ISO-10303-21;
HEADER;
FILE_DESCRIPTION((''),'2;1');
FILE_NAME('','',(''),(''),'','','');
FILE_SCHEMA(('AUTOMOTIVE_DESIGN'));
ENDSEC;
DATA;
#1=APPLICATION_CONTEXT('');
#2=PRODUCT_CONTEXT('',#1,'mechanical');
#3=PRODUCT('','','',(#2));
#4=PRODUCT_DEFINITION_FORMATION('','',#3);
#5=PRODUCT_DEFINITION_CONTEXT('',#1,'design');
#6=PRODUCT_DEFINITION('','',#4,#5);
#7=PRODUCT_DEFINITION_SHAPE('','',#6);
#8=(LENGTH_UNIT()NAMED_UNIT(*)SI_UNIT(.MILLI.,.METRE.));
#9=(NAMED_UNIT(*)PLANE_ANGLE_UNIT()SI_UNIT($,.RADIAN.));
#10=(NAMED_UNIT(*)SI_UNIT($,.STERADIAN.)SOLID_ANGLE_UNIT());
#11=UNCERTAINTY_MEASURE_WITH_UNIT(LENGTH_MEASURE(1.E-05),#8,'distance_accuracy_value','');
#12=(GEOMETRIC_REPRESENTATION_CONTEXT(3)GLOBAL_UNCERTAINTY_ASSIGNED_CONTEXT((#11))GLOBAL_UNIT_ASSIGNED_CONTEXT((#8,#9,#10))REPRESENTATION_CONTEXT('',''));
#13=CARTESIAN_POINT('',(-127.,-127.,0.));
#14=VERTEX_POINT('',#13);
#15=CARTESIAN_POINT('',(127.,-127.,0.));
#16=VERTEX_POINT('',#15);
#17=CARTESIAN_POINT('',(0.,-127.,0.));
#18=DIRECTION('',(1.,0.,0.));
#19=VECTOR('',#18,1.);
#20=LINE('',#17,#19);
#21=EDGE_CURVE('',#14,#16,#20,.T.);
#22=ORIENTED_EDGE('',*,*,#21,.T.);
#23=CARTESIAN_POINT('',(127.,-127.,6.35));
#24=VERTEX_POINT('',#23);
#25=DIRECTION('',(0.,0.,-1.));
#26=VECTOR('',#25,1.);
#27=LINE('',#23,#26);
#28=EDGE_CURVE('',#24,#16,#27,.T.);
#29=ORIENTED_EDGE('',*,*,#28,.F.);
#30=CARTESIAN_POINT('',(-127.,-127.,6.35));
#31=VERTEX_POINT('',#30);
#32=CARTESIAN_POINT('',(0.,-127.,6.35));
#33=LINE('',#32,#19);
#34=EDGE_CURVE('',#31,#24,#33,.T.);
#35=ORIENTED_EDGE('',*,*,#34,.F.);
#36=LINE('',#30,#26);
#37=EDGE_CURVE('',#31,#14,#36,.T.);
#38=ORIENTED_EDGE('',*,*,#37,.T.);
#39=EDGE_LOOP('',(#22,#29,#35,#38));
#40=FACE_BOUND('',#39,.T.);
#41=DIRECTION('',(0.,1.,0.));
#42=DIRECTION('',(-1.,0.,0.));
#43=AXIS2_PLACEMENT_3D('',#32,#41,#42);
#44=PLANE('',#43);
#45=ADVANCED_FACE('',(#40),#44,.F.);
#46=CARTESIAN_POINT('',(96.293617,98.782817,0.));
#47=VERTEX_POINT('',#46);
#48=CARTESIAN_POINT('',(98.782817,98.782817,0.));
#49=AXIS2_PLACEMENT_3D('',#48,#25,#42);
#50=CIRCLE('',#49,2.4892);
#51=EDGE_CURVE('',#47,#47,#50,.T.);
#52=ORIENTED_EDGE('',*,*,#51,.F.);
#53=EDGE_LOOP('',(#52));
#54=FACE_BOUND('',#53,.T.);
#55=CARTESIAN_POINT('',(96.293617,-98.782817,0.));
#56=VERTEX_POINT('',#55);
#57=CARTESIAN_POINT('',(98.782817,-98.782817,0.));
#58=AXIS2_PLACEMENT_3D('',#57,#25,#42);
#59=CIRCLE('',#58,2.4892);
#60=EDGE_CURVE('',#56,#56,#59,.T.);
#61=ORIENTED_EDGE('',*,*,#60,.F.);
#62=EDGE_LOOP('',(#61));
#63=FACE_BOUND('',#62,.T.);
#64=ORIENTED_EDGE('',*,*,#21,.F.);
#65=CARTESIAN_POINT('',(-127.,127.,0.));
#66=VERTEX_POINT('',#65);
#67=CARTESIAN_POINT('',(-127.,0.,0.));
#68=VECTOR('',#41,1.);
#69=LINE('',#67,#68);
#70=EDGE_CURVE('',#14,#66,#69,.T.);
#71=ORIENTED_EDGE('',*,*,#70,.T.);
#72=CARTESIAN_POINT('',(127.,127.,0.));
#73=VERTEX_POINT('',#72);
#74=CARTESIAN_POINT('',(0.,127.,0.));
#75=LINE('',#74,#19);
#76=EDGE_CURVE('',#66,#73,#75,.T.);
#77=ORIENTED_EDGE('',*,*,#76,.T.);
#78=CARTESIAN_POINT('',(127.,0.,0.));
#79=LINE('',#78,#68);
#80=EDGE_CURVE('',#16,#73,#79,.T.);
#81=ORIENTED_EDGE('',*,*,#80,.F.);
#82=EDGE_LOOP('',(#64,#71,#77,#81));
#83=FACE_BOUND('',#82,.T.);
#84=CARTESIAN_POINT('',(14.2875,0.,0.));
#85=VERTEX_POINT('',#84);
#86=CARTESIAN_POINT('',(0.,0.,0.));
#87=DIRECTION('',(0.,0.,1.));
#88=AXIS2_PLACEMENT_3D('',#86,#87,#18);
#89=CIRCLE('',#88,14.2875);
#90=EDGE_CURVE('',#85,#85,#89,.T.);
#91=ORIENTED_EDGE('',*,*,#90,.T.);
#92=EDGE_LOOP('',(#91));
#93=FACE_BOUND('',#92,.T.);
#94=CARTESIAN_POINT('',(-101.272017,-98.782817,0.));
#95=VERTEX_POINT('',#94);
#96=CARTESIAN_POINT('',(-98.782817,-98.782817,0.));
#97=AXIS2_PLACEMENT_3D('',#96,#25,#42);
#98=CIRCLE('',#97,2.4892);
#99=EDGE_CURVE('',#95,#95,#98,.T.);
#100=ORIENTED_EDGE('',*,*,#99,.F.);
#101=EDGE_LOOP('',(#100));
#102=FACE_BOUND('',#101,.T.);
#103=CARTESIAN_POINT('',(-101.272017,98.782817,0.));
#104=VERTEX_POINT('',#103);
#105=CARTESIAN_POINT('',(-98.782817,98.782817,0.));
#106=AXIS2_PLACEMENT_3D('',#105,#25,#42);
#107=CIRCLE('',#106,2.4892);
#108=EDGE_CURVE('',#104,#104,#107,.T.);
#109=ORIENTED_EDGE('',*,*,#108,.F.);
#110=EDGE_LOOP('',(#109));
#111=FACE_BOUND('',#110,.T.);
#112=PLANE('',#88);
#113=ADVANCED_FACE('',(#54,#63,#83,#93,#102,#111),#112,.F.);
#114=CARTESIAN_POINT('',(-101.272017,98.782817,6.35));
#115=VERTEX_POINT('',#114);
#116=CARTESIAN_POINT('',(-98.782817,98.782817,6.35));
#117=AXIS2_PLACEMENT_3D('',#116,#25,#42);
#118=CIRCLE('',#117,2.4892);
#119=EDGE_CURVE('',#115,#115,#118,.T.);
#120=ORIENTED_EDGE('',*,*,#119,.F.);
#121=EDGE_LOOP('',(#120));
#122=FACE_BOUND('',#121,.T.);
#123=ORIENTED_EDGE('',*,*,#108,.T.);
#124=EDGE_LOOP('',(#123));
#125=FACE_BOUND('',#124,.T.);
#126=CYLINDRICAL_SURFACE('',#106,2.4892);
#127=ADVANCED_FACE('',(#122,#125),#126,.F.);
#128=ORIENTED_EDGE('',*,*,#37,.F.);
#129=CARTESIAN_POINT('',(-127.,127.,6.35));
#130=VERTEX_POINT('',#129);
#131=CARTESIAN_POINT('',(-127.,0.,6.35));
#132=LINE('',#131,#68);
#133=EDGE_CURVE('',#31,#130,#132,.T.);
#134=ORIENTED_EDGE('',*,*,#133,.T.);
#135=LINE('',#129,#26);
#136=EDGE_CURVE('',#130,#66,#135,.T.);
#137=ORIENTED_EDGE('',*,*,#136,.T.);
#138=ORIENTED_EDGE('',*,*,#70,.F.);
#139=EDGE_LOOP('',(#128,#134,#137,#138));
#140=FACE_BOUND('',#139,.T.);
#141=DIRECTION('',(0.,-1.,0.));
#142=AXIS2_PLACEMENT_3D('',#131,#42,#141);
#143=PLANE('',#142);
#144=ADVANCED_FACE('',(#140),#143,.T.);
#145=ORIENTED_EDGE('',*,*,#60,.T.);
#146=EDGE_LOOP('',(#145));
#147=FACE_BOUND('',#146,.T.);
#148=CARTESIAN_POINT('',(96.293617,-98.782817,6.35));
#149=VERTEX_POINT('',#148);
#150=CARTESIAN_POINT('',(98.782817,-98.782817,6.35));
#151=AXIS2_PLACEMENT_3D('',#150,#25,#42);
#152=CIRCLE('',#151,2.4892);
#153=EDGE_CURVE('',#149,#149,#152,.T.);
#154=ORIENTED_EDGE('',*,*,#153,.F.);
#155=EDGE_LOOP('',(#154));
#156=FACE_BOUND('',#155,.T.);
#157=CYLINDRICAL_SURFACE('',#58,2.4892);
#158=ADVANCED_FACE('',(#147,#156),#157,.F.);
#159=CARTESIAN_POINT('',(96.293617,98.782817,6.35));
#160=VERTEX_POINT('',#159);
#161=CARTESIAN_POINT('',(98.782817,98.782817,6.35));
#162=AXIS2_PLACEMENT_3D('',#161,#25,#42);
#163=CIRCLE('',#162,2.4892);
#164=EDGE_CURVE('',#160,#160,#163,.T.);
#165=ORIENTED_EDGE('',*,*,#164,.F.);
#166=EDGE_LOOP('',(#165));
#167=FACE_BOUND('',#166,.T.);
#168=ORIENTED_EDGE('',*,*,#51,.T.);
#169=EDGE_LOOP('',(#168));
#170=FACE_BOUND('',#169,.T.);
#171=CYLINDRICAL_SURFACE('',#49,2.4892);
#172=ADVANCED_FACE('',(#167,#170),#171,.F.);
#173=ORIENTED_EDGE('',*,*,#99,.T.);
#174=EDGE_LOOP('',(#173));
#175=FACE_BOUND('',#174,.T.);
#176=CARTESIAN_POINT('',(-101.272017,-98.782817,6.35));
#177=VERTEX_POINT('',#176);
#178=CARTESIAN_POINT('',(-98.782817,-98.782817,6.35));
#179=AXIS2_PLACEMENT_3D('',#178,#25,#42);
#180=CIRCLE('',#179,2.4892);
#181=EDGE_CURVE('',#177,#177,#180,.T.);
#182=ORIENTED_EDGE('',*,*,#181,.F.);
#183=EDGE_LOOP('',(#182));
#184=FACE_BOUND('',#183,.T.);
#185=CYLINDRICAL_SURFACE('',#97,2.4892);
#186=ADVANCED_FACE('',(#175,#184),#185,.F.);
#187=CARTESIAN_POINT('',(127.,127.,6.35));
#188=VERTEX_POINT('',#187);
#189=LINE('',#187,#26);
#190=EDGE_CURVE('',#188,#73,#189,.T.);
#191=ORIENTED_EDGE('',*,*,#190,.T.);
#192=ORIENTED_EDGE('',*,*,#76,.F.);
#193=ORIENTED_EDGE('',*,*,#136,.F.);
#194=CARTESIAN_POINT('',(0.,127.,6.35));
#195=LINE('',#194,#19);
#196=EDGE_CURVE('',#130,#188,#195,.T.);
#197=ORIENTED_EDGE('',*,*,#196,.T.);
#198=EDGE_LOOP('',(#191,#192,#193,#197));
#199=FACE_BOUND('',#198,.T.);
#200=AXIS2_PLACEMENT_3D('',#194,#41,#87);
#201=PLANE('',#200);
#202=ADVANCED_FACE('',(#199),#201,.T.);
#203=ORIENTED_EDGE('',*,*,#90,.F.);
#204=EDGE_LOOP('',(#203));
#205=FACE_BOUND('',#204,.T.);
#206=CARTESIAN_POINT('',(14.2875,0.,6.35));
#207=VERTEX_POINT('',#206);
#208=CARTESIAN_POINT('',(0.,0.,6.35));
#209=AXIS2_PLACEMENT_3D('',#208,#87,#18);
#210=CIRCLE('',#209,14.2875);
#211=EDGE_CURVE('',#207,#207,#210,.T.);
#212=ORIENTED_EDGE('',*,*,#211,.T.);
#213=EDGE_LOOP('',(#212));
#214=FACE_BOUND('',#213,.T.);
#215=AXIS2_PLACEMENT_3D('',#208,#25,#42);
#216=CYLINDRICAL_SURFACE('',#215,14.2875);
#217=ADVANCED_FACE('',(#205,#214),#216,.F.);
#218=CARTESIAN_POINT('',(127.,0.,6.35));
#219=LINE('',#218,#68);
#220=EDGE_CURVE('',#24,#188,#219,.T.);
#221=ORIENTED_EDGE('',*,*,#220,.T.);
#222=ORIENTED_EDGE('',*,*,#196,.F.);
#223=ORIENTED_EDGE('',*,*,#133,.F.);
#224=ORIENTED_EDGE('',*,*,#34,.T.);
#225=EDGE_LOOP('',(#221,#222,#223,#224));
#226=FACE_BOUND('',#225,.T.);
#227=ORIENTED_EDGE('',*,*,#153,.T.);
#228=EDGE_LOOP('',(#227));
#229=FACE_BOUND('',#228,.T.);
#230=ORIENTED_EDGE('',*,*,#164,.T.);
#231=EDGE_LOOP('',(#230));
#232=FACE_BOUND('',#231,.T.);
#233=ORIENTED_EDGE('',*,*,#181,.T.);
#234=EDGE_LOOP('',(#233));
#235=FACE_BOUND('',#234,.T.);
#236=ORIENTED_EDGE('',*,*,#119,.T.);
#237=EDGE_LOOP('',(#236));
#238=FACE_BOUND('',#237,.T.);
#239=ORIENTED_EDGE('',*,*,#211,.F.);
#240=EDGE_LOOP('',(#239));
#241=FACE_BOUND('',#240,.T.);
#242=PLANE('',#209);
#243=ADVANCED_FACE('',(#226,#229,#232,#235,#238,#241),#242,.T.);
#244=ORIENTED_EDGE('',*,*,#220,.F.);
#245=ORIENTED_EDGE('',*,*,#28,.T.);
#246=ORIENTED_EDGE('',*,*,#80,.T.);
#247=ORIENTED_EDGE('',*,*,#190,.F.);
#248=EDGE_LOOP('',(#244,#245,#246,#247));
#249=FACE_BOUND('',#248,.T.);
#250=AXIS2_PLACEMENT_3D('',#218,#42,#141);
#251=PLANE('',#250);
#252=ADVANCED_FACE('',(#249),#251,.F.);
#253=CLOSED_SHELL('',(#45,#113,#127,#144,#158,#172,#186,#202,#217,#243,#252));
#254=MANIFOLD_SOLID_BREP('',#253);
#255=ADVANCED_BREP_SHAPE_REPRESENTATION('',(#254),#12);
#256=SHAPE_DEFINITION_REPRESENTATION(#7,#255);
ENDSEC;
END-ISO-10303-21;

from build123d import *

# Parameters (mm, degrees)
SKETCH1_W                      = 254
SKETCH1_H                      = 254
SKETCH1_R                      = 10.16
SKETCH1_R_2                    = 14.2875
BOSS_EXTRUDE2_DEPTH            = 6.35
F_9_0_196_DIAMETER_HOLE1_D     = 4.9784
F_9_0_196_DIAMETER_HOLE1_DEPTH = 6.35
F_9_0_196_DIAMETER_HOLE1_TIP   = 1.495662253


with BuildPart() as part:
    # Sketch1 → Boss-Extrude2 (new body)
    # profile 1 of 4: a face of its own
    with BuildSketch(Plane.XY):
        Rectangle(SKETCH1_W, SKETCH1_H)
        with Locations((-41.221968309, 29.688201844)):
            Circle(SKETCH1_R, mode=Mode.SUBTRACT)
        with Locations((0, 49.5808)):
            Circle(SKETCH1_R_2, mode=Mode.SUBTRACT)
        Circle(SKETCH1_R_2, mode=Mode.SUBTRACT)
        with Locations((41.221968309, 29.688201844)):
            Circle(SKETCH1_R, mode=Mode.SUBTRACT)
    # profile 2 of 4: a face of its own
    with BuildSketch(Plane.XY):
        with Locations((0, 49.5808)):
            Circle(SKETCH1_R_2)
    # profile 3 of 4: a face of its own
    with BuildSketch(Plane.XY):
        with Locations((41.221968309, 29.688201844)):
            Circle(SKETCH1_R)
    # profile 4 of 4: a face of its own
    with BuildSketch(Plane.XY):
        with Locations((-41.221968309, 29.688201844)):
            Circle(SKETCH1_R)
    extrude(amount=BOSS_EXTRUDE2_DEPTH)

    # #9 (0.196) Diameter Hole1
    with Locations(Plane(origin=(0, 0, 0), x_dir=(-1, 0, 0), z_dir=(0, 0, -1))):
        with Locations((-98.782817332, 98.782817332), (98.782817332, 98.782817332), (98.782817332, -98.782817332), (-98.782817332, -98.782817332)):
            Hole(F_9_0_196_DIAMETER_HOLE1_D / 2, depth=F_9_0_196_DIAMETER_HOLE1_DEPTH)
            with Locations((0, 0, -(F_9_0_196_DIAMETER_HOLE1_DEPTH + F_9_0_196_DIAMETER_HOLE1_TIP / 2))):  # 118° drill point
                Cone(0, F_9_0_196_DIAMETER_HOLE1_D / 2, F_9_0_196_DIAMETER_HOLE1_TIP, mode=Mode.SUBTRACT)


solid = part.part
